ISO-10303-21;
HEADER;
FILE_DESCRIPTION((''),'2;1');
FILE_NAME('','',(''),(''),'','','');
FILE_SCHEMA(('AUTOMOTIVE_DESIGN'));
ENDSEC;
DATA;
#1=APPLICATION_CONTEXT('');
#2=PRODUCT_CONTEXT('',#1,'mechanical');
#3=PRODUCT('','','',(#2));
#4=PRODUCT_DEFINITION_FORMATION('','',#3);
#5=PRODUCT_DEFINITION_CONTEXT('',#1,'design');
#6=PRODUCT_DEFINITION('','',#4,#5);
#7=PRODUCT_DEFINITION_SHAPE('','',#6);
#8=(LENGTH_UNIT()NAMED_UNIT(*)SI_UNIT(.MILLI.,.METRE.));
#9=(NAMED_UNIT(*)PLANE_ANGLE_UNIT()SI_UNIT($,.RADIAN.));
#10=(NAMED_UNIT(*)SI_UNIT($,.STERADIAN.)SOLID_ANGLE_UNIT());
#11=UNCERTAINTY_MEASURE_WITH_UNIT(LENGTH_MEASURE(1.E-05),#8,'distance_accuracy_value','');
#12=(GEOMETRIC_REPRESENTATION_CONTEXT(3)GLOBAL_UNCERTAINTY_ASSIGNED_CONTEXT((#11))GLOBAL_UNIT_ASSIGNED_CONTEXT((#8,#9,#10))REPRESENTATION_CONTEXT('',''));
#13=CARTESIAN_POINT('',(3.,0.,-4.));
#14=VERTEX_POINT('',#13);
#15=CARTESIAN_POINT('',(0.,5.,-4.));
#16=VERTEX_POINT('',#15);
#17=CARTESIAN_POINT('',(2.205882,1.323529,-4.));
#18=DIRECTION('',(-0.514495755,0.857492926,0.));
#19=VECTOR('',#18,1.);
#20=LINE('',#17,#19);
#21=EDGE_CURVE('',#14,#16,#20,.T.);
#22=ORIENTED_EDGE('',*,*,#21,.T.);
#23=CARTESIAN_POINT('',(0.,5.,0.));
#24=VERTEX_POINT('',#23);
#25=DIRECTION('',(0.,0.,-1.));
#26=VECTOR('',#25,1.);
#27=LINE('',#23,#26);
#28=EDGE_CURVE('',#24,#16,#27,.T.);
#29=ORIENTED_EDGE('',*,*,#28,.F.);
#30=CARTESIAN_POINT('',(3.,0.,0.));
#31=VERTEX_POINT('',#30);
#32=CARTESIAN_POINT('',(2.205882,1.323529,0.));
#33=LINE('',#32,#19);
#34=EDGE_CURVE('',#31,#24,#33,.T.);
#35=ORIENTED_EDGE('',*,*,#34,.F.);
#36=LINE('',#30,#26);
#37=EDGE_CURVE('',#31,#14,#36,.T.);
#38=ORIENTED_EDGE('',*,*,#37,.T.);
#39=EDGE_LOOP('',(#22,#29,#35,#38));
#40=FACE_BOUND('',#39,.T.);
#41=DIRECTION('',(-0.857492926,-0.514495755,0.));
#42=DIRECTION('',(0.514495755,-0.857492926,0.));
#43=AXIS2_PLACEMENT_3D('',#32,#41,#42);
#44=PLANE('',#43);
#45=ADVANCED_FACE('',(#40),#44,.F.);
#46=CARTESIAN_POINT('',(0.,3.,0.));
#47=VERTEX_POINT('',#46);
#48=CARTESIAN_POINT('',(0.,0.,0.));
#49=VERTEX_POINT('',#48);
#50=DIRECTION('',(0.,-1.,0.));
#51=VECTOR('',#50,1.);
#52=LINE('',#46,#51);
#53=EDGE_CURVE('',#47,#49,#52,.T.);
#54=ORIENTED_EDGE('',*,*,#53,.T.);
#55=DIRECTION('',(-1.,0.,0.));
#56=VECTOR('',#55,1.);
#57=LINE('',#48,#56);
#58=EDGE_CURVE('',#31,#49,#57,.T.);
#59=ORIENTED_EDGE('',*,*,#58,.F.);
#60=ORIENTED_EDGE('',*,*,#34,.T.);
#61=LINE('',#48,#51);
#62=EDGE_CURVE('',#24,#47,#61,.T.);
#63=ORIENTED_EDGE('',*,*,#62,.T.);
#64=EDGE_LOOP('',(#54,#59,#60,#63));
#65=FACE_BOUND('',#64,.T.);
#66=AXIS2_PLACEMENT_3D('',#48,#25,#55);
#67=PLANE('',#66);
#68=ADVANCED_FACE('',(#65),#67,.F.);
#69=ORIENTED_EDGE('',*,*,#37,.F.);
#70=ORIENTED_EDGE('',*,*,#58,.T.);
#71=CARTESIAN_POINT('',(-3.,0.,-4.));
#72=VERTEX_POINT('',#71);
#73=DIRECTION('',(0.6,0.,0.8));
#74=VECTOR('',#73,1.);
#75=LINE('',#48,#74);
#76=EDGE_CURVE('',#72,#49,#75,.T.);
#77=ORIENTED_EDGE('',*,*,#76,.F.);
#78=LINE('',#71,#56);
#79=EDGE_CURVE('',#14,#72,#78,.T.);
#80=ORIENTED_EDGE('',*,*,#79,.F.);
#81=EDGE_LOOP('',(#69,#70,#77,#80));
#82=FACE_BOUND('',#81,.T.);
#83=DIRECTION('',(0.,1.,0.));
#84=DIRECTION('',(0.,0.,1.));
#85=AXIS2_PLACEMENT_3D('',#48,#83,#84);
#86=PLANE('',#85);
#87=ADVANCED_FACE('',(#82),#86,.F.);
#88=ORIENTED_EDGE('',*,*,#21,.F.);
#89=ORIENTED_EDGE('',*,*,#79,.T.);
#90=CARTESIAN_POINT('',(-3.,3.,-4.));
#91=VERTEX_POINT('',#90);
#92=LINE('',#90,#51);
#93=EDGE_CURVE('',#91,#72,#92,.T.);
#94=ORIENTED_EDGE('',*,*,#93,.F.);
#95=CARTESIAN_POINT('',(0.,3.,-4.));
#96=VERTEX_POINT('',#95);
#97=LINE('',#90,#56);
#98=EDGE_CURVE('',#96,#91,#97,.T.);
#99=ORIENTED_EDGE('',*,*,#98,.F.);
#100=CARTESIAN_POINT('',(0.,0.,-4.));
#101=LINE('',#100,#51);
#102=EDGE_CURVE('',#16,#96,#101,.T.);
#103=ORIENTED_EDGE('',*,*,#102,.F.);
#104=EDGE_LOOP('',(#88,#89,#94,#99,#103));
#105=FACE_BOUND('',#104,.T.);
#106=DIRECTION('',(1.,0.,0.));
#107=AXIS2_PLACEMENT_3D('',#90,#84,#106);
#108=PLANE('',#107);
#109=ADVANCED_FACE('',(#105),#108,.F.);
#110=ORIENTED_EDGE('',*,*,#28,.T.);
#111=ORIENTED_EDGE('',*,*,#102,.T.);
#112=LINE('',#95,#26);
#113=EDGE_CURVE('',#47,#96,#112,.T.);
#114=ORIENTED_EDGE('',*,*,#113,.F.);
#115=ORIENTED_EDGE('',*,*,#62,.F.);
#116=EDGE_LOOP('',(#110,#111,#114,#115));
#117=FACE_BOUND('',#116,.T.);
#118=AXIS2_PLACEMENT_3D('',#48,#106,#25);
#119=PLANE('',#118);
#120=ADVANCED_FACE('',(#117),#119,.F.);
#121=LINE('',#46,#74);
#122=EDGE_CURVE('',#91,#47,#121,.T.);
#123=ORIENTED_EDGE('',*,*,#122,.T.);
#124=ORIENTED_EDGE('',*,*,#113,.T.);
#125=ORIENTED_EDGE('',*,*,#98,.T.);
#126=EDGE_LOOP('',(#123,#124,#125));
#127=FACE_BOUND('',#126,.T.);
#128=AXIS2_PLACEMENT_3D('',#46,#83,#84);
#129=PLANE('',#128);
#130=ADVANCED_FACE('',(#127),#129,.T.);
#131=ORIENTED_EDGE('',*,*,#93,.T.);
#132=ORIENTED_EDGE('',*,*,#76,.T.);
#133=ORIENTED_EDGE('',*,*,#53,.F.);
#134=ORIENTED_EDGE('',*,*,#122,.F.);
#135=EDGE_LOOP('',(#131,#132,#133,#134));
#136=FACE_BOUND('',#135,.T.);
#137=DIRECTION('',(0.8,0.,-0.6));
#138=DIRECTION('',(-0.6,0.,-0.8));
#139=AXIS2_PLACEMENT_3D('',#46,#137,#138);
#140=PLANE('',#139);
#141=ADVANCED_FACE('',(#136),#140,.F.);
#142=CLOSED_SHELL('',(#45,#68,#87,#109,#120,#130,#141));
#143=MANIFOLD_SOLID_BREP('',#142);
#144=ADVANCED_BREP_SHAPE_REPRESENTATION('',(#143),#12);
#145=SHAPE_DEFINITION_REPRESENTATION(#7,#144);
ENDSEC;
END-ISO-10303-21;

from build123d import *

# Parameters (mm, degrees)
BOSS_EXTRUDE1_DEPTH = 3
BOSS_EXTRUDE2_DEPTH = 4


with BuildPart() as part:
    # Sketch1 → Boss-Extrude1 (new body)
    with BuildSketch(Plane(origin=(0, 0, 0), x_dir=(1, 0, 0), z_dir=(0, 1, 0))):
        Polygon((0, 0), (-3, 4), (0, 4), align=None)
    extrude(amount=BOSS_EXTRUDE1_DEPTH)

    # Sketch2 → Boss-Extrude2 (add)
    with BuildSketch(Plane(origin=(0, 0, -4), x_dir=(-1, 0, 0), z_dir=(0, 0, -1))):
        Polygon((0, 5), (-3, 0), (0, 0), (0, 3), align=None)
    extrude(amount=-BOSS_EXTRUDE2_DEPTH)


solid = part.part
